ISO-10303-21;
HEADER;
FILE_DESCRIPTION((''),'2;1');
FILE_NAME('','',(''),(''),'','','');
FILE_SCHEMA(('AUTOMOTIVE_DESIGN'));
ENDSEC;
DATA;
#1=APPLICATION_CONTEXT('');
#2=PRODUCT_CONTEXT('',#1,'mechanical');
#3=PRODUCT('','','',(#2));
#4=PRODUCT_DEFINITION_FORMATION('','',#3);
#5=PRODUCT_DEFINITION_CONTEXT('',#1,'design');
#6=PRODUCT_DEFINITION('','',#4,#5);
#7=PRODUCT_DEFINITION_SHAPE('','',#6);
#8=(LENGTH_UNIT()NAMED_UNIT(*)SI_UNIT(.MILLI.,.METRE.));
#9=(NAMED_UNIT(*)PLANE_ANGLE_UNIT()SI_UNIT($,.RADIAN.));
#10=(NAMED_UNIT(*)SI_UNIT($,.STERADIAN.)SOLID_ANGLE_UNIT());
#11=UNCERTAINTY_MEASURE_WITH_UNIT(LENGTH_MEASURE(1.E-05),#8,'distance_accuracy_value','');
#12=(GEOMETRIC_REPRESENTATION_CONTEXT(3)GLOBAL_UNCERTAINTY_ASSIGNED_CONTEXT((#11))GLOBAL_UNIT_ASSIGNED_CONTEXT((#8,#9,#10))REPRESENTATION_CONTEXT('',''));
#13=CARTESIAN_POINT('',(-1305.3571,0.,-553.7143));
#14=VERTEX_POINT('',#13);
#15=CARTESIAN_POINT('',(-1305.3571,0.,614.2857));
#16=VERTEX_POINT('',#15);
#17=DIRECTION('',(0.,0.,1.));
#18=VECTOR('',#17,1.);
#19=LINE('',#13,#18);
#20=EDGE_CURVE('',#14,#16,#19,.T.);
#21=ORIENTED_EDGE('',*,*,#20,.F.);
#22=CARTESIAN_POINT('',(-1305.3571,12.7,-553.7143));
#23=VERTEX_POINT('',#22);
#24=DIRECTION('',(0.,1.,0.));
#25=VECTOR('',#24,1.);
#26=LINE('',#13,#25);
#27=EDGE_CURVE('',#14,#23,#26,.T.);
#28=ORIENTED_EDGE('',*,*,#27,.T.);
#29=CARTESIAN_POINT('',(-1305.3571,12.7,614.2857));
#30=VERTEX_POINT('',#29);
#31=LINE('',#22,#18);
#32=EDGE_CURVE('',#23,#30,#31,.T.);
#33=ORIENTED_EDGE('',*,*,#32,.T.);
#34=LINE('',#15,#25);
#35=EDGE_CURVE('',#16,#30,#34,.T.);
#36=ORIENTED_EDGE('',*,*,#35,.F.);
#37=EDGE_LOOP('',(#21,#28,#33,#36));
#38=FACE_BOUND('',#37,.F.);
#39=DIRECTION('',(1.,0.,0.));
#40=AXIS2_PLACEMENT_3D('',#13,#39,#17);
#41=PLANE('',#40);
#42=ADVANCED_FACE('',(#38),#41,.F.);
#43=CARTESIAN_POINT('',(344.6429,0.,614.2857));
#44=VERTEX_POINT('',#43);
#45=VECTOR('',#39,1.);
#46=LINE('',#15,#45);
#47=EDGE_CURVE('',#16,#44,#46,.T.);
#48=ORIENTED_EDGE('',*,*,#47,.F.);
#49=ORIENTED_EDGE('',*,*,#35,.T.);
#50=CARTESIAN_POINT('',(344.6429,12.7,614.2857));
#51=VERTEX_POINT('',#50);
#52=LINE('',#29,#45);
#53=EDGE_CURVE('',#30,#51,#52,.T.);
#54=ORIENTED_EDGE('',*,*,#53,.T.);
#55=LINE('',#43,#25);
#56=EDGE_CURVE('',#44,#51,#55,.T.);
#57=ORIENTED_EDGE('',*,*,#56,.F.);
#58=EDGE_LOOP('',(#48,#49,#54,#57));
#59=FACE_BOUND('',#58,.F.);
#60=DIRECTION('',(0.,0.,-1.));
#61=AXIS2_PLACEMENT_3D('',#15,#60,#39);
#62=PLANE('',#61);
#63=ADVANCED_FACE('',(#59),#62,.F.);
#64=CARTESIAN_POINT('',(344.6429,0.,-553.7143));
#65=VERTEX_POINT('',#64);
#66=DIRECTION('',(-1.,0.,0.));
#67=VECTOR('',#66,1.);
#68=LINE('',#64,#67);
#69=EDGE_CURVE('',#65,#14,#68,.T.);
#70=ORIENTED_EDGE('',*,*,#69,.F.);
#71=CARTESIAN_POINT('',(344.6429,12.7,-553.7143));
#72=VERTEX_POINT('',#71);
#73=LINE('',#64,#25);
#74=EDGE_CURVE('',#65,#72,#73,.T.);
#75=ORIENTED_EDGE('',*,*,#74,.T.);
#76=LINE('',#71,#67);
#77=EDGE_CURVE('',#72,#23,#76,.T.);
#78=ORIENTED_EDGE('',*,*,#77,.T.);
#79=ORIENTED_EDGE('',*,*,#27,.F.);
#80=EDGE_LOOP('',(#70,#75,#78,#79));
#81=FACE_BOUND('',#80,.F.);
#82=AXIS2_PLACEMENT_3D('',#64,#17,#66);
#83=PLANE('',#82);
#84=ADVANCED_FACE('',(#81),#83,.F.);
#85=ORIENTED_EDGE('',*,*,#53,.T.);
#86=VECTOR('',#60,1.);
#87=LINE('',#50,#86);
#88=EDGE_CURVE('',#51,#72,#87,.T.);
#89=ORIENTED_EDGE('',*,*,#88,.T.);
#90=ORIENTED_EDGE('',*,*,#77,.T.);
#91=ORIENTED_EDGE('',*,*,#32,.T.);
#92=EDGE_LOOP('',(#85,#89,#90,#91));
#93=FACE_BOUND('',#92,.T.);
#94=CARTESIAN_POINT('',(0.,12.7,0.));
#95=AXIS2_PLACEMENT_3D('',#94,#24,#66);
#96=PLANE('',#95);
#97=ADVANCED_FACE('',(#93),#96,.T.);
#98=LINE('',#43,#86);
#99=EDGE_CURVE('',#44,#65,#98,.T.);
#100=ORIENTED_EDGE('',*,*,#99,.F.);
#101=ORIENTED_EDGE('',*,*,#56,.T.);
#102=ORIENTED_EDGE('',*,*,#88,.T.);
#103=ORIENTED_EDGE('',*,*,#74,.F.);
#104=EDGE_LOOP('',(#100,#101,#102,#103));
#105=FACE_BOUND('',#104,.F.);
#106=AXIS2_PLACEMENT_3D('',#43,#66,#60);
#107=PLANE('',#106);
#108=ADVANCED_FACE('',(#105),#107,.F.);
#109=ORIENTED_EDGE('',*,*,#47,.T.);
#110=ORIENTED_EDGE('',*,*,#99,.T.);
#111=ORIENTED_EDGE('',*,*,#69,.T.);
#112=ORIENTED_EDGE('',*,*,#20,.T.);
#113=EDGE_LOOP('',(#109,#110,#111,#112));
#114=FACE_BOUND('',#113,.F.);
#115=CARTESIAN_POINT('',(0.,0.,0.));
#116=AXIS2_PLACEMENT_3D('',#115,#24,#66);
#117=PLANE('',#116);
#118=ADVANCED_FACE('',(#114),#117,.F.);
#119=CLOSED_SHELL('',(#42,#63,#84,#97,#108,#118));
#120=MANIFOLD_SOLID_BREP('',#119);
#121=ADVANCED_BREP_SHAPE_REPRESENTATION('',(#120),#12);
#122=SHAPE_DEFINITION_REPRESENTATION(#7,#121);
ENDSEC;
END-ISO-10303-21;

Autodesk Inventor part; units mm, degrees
ref_plane "YZ Plane" through (0, 0, 0) normal (1, 0, 0) x (0, 1, 0)
ref_plane "XZ Plane" through (0, 0, 0) normal (0, 1, 0) x (-1, 0, 0)
ref_plane "XY Plane" through (0, 0, 0) normal (0, 0, 1) x (1, 0, 0)
sketch "Sketch1" plane through (0, 0, 0) normal (0, 1, 0) x (-1, 0, 0)
  line L0 (1305.3571, 614.2857) -> (-344.6429, 614.2857)
  line L1 (-344.6429, 614.2857) -> (-344.6429, -553.7143)
  line L2 (-344.6429, -553.7143) -> (1305.3571, -553.7143)
  line L3 (1305.3571, -553.7143) -> (1305.3571, 614.2857)
  point P0 (0, 0)
  dimension "d0" = 1168
  dimension "d1" = 1650
extrude "Extrusion1" add sketch "Sketch1" along normal blind 12.7
properties part number "placa22" material "Steel, Carbon"
